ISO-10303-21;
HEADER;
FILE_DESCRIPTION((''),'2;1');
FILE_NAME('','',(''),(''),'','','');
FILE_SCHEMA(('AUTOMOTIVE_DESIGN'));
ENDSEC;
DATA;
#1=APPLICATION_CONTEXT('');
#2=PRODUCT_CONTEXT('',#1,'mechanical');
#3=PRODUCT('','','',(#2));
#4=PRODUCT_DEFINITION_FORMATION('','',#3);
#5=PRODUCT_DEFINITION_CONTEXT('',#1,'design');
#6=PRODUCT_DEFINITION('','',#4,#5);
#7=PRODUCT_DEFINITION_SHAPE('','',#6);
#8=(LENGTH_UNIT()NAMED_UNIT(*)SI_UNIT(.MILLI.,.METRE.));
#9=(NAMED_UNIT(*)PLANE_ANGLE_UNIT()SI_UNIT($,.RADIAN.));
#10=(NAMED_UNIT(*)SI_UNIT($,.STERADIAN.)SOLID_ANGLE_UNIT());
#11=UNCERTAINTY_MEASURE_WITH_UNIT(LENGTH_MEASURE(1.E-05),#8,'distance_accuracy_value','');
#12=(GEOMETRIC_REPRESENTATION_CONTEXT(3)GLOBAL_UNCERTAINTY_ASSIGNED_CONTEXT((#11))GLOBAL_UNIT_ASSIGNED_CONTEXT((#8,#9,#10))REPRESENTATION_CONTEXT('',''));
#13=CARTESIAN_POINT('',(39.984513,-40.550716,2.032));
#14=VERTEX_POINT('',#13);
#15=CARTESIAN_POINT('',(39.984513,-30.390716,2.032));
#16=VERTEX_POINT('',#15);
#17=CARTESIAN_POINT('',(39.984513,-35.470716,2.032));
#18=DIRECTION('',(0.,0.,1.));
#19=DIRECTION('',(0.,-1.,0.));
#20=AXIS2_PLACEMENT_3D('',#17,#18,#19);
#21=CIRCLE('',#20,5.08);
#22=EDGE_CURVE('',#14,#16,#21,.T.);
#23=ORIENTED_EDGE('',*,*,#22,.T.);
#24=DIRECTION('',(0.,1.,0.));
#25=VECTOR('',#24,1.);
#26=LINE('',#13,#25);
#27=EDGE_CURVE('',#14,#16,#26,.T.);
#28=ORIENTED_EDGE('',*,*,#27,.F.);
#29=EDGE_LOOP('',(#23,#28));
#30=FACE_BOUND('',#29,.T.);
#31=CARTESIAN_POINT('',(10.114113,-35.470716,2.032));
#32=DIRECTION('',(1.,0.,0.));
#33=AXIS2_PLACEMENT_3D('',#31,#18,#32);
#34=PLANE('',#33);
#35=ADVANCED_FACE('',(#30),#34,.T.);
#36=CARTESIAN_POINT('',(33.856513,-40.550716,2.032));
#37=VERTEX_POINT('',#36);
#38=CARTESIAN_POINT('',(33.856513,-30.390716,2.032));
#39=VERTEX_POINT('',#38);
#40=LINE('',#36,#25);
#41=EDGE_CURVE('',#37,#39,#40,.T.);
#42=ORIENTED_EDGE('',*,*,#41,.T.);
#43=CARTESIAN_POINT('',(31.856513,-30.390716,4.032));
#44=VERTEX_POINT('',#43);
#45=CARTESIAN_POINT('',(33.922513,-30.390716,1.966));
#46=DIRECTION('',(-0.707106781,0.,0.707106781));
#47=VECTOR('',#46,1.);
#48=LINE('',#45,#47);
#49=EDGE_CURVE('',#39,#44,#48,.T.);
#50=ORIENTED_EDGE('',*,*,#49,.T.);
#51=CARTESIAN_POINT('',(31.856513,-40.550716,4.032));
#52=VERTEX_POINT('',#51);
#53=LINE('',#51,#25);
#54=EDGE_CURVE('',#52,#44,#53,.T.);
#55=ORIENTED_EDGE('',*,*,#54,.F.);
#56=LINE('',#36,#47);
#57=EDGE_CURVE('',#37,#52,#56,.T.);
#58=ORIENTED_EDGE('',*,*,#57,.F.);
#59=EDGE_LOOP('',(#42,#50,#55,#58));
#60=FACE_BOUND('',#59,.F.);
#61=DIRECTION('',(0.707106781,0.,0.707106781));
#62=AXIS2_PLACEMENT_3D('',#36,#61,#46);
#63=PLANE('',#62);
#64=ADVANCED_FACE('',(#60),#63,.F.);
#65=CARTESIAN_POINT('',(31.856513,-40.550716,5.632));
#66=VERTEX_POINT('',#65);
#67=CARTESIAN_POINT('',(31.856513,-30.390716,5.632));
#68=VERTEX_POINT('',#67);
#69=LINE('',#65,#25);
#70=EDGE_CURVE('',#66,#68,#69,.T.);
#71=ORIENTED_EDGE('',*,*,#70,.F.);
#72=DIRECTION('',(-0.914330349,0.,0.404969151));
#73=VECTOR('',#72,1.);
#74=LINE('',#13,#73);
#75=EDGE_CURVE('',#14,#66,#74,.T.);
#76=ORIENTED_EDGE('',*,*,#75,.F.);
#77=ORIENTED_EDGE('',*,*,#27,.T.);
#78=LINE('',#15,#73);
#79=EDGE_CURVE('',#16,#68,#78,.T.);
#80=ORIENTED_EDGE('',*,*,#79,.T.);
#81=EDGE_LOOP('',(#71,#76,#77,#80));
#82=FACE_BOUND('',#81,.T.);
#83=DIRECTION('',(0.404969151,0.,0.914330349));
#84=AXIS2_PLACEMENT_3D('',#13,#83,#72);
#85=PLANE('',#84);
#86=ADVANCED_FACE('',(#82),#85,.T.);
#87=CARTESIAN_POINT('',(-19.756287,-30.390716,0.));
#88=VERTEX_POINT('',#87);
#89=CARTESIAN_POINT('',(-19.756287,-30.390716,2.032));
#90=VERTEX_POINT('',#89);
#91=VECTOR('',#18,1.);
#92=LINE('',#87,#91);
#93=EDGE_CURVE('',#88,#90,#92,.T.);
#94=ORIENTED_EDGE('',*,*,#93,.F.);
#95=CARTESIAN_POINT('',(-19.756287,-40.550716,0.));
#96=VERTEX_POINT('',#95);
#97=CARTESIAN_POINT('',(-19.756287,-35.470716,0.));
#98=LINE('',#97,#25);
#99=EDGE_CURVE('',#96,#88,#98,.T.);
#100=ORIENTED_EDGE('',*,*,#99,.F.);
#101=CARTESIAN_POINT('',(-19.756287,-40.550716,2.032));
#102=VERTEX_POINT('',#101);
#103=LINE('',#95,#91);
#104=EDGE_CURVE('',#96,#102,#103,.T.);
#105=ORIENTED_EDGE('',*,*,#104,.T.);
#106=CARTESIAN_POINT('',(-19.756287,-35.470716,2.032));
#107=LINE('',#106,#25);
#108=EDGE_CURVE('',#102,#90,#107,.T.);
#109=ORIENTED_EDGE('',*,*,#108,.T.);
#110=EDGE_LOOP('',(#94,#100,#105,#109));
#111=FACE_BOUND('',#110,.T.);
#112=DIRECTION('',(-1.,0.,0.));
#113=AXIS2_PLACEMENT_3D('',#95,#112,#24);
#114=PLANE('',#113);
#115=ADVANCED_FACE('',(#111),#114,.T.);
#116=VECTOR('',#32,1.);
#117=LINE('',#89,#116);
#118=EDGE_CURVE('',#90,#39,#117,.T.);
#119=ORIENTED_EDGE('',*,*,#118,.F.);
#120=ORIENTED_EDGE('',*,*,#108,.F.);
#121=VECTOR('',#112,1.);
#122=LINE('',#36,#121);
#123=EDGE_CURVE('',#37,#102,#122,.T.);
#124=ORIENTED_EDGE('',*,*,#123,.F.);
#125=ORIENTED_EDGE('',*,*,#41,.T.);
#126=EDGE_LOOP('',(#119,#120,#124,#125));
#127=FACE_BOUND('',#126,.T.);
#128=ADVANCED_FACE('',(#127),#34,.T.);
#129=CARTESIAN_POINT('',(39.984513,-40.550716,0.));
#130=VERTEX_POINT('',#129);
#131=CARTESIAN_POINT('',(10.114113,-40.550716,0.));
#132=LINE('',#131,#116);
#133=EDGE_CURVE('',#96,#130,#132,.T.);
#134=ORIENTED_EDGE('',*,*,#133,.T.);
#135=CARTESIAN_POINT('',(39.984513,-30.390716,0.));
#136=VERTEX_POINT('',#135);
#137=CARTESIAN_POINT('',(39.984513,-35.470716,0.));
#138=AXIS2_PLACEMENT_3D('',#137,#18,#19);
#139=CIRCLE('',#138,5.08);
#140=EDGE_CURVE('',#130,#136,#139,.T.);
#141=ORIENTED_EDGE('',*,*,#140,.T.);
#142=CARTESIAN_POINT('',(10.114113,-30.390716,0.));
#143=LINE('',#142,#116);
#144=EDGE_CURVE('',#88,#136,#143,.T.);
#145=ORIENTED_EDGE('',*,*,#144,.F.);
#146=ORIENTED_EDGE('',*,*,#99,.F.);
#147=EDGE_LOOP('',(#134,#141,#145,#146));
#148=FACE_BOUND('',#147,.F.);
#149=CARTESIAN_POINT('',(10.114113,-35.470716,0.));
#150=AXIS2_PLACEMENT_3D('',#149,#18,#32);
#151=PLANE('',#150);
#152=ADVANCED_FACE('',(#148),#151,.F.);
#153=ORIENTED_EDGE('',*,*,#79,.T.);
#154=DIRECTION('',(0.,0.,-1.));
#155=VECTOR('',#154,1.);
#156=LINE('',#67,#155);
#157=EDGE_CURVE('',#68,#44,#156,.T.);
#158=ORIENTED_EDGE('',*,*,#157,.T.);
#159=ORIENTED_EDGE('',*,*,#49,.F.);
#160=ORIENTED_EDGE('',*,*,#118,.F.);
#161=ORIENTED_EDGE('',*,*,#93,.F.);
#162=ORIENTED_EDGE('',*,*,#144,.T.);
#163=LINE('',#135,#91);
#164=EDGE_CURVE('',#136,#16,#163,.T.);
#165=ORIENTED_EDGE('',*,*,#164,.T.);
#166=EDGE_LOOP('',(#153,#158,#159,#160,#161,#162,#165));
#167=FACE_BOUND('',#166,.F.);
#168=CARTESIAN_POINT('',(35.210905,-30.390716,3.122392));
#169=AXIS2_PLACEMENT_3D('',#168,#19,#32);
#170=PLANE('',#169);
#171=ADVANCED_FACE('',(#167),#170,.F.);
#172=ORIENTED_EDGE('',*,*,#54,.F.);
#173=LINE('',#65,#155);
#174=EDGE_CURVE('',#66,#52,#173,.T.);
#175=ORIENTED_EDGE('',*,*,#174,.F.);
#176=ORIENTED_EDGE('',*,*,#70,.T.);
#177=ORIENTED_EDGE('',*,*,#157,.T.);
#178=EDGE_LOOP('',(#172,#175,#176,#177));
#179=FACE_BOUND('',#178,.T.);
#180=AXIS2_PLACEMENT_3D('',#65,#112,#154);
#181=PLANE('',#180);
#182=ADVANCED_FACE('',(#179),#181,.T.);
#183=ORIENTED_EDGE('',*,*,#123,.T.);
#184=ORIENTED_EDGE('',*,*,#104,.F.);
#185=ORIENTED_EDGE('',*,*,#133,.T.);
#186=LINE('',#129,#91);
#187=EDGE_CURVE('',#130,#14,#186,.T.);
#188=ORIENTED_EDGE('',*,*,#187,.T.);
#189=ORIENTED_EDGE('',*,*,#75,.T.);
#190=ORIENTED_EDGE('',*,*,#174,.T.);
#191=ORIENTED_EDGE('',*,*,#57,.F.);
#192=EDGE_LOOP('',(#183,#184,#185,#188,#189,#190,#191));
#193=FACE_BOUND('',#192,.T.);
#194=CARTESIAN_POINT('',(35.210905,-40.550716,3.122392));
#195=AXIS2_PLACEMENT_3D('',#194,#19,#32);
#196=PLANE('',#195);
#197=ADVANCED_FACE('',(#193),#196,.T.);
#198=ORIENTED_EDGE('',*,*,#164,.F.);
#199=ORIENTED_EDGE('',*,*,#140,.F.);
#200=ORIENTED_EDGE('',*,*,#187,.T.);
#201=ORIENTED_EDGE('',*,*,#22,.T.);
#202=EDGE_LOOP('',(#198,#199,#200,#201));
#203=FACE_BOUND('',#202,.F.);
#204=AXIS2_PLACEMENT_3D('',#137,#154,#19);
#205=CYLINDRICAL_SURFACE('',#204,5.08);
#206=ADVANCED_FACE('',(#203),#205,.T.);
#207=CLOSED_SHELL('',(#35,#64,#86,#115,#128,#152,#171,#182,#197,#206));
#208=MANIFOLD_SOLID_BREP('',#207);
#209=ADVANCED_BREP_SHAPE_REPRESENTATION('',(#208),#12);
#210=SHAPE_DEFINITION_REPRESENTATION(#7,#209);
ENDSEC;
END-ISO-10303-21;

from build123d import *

# Parameters (mm, degrees)
F0_W     = 59.7408
F0_H     = 10.16
F1_DEPTH = 2.032
F4_DEPTH = 10.16
F6_DEPTH = 10.161


with BuildPart() as f1:
    # F0 (on Top) → F1 (new body)
    with BuildSketch(Plane.XY):
        with Locations((10.114113, -35.470716)):
            Rectangle(F0_W, F0_H)
        with BuildLine():
            ThreePointArc((39.984513, -40.550716), (45.064513, -35.470716), (39.984513, -30.390716))
            Line((39.984513, -30.390716), (39.984513, -40.550716))
        make_face()
    extrude(amount=F1_DEPTH)

    # F3 (on face) → F4 (join)
    with BuildSketch(Plane.XZ.offset(40.550716)):
        Polygon((31.856513, 2.032), (39.984513, 2.032), (31.856513, 5.632), align=None)
    extrude(amount=-F4_DEPTH)

    # F5 (on face) → F6 (cut, through all)
    with BuildSketch(Plane.XZ.offset(40.550716)):
        Polygon((33.856513, 2.032), (31.856513, 4.032), (31.856513, 2.032), align=None)
    extrude(amount=-F6_DEPTH, mode=Mode.SUBTRACT)


solid = f1.part
